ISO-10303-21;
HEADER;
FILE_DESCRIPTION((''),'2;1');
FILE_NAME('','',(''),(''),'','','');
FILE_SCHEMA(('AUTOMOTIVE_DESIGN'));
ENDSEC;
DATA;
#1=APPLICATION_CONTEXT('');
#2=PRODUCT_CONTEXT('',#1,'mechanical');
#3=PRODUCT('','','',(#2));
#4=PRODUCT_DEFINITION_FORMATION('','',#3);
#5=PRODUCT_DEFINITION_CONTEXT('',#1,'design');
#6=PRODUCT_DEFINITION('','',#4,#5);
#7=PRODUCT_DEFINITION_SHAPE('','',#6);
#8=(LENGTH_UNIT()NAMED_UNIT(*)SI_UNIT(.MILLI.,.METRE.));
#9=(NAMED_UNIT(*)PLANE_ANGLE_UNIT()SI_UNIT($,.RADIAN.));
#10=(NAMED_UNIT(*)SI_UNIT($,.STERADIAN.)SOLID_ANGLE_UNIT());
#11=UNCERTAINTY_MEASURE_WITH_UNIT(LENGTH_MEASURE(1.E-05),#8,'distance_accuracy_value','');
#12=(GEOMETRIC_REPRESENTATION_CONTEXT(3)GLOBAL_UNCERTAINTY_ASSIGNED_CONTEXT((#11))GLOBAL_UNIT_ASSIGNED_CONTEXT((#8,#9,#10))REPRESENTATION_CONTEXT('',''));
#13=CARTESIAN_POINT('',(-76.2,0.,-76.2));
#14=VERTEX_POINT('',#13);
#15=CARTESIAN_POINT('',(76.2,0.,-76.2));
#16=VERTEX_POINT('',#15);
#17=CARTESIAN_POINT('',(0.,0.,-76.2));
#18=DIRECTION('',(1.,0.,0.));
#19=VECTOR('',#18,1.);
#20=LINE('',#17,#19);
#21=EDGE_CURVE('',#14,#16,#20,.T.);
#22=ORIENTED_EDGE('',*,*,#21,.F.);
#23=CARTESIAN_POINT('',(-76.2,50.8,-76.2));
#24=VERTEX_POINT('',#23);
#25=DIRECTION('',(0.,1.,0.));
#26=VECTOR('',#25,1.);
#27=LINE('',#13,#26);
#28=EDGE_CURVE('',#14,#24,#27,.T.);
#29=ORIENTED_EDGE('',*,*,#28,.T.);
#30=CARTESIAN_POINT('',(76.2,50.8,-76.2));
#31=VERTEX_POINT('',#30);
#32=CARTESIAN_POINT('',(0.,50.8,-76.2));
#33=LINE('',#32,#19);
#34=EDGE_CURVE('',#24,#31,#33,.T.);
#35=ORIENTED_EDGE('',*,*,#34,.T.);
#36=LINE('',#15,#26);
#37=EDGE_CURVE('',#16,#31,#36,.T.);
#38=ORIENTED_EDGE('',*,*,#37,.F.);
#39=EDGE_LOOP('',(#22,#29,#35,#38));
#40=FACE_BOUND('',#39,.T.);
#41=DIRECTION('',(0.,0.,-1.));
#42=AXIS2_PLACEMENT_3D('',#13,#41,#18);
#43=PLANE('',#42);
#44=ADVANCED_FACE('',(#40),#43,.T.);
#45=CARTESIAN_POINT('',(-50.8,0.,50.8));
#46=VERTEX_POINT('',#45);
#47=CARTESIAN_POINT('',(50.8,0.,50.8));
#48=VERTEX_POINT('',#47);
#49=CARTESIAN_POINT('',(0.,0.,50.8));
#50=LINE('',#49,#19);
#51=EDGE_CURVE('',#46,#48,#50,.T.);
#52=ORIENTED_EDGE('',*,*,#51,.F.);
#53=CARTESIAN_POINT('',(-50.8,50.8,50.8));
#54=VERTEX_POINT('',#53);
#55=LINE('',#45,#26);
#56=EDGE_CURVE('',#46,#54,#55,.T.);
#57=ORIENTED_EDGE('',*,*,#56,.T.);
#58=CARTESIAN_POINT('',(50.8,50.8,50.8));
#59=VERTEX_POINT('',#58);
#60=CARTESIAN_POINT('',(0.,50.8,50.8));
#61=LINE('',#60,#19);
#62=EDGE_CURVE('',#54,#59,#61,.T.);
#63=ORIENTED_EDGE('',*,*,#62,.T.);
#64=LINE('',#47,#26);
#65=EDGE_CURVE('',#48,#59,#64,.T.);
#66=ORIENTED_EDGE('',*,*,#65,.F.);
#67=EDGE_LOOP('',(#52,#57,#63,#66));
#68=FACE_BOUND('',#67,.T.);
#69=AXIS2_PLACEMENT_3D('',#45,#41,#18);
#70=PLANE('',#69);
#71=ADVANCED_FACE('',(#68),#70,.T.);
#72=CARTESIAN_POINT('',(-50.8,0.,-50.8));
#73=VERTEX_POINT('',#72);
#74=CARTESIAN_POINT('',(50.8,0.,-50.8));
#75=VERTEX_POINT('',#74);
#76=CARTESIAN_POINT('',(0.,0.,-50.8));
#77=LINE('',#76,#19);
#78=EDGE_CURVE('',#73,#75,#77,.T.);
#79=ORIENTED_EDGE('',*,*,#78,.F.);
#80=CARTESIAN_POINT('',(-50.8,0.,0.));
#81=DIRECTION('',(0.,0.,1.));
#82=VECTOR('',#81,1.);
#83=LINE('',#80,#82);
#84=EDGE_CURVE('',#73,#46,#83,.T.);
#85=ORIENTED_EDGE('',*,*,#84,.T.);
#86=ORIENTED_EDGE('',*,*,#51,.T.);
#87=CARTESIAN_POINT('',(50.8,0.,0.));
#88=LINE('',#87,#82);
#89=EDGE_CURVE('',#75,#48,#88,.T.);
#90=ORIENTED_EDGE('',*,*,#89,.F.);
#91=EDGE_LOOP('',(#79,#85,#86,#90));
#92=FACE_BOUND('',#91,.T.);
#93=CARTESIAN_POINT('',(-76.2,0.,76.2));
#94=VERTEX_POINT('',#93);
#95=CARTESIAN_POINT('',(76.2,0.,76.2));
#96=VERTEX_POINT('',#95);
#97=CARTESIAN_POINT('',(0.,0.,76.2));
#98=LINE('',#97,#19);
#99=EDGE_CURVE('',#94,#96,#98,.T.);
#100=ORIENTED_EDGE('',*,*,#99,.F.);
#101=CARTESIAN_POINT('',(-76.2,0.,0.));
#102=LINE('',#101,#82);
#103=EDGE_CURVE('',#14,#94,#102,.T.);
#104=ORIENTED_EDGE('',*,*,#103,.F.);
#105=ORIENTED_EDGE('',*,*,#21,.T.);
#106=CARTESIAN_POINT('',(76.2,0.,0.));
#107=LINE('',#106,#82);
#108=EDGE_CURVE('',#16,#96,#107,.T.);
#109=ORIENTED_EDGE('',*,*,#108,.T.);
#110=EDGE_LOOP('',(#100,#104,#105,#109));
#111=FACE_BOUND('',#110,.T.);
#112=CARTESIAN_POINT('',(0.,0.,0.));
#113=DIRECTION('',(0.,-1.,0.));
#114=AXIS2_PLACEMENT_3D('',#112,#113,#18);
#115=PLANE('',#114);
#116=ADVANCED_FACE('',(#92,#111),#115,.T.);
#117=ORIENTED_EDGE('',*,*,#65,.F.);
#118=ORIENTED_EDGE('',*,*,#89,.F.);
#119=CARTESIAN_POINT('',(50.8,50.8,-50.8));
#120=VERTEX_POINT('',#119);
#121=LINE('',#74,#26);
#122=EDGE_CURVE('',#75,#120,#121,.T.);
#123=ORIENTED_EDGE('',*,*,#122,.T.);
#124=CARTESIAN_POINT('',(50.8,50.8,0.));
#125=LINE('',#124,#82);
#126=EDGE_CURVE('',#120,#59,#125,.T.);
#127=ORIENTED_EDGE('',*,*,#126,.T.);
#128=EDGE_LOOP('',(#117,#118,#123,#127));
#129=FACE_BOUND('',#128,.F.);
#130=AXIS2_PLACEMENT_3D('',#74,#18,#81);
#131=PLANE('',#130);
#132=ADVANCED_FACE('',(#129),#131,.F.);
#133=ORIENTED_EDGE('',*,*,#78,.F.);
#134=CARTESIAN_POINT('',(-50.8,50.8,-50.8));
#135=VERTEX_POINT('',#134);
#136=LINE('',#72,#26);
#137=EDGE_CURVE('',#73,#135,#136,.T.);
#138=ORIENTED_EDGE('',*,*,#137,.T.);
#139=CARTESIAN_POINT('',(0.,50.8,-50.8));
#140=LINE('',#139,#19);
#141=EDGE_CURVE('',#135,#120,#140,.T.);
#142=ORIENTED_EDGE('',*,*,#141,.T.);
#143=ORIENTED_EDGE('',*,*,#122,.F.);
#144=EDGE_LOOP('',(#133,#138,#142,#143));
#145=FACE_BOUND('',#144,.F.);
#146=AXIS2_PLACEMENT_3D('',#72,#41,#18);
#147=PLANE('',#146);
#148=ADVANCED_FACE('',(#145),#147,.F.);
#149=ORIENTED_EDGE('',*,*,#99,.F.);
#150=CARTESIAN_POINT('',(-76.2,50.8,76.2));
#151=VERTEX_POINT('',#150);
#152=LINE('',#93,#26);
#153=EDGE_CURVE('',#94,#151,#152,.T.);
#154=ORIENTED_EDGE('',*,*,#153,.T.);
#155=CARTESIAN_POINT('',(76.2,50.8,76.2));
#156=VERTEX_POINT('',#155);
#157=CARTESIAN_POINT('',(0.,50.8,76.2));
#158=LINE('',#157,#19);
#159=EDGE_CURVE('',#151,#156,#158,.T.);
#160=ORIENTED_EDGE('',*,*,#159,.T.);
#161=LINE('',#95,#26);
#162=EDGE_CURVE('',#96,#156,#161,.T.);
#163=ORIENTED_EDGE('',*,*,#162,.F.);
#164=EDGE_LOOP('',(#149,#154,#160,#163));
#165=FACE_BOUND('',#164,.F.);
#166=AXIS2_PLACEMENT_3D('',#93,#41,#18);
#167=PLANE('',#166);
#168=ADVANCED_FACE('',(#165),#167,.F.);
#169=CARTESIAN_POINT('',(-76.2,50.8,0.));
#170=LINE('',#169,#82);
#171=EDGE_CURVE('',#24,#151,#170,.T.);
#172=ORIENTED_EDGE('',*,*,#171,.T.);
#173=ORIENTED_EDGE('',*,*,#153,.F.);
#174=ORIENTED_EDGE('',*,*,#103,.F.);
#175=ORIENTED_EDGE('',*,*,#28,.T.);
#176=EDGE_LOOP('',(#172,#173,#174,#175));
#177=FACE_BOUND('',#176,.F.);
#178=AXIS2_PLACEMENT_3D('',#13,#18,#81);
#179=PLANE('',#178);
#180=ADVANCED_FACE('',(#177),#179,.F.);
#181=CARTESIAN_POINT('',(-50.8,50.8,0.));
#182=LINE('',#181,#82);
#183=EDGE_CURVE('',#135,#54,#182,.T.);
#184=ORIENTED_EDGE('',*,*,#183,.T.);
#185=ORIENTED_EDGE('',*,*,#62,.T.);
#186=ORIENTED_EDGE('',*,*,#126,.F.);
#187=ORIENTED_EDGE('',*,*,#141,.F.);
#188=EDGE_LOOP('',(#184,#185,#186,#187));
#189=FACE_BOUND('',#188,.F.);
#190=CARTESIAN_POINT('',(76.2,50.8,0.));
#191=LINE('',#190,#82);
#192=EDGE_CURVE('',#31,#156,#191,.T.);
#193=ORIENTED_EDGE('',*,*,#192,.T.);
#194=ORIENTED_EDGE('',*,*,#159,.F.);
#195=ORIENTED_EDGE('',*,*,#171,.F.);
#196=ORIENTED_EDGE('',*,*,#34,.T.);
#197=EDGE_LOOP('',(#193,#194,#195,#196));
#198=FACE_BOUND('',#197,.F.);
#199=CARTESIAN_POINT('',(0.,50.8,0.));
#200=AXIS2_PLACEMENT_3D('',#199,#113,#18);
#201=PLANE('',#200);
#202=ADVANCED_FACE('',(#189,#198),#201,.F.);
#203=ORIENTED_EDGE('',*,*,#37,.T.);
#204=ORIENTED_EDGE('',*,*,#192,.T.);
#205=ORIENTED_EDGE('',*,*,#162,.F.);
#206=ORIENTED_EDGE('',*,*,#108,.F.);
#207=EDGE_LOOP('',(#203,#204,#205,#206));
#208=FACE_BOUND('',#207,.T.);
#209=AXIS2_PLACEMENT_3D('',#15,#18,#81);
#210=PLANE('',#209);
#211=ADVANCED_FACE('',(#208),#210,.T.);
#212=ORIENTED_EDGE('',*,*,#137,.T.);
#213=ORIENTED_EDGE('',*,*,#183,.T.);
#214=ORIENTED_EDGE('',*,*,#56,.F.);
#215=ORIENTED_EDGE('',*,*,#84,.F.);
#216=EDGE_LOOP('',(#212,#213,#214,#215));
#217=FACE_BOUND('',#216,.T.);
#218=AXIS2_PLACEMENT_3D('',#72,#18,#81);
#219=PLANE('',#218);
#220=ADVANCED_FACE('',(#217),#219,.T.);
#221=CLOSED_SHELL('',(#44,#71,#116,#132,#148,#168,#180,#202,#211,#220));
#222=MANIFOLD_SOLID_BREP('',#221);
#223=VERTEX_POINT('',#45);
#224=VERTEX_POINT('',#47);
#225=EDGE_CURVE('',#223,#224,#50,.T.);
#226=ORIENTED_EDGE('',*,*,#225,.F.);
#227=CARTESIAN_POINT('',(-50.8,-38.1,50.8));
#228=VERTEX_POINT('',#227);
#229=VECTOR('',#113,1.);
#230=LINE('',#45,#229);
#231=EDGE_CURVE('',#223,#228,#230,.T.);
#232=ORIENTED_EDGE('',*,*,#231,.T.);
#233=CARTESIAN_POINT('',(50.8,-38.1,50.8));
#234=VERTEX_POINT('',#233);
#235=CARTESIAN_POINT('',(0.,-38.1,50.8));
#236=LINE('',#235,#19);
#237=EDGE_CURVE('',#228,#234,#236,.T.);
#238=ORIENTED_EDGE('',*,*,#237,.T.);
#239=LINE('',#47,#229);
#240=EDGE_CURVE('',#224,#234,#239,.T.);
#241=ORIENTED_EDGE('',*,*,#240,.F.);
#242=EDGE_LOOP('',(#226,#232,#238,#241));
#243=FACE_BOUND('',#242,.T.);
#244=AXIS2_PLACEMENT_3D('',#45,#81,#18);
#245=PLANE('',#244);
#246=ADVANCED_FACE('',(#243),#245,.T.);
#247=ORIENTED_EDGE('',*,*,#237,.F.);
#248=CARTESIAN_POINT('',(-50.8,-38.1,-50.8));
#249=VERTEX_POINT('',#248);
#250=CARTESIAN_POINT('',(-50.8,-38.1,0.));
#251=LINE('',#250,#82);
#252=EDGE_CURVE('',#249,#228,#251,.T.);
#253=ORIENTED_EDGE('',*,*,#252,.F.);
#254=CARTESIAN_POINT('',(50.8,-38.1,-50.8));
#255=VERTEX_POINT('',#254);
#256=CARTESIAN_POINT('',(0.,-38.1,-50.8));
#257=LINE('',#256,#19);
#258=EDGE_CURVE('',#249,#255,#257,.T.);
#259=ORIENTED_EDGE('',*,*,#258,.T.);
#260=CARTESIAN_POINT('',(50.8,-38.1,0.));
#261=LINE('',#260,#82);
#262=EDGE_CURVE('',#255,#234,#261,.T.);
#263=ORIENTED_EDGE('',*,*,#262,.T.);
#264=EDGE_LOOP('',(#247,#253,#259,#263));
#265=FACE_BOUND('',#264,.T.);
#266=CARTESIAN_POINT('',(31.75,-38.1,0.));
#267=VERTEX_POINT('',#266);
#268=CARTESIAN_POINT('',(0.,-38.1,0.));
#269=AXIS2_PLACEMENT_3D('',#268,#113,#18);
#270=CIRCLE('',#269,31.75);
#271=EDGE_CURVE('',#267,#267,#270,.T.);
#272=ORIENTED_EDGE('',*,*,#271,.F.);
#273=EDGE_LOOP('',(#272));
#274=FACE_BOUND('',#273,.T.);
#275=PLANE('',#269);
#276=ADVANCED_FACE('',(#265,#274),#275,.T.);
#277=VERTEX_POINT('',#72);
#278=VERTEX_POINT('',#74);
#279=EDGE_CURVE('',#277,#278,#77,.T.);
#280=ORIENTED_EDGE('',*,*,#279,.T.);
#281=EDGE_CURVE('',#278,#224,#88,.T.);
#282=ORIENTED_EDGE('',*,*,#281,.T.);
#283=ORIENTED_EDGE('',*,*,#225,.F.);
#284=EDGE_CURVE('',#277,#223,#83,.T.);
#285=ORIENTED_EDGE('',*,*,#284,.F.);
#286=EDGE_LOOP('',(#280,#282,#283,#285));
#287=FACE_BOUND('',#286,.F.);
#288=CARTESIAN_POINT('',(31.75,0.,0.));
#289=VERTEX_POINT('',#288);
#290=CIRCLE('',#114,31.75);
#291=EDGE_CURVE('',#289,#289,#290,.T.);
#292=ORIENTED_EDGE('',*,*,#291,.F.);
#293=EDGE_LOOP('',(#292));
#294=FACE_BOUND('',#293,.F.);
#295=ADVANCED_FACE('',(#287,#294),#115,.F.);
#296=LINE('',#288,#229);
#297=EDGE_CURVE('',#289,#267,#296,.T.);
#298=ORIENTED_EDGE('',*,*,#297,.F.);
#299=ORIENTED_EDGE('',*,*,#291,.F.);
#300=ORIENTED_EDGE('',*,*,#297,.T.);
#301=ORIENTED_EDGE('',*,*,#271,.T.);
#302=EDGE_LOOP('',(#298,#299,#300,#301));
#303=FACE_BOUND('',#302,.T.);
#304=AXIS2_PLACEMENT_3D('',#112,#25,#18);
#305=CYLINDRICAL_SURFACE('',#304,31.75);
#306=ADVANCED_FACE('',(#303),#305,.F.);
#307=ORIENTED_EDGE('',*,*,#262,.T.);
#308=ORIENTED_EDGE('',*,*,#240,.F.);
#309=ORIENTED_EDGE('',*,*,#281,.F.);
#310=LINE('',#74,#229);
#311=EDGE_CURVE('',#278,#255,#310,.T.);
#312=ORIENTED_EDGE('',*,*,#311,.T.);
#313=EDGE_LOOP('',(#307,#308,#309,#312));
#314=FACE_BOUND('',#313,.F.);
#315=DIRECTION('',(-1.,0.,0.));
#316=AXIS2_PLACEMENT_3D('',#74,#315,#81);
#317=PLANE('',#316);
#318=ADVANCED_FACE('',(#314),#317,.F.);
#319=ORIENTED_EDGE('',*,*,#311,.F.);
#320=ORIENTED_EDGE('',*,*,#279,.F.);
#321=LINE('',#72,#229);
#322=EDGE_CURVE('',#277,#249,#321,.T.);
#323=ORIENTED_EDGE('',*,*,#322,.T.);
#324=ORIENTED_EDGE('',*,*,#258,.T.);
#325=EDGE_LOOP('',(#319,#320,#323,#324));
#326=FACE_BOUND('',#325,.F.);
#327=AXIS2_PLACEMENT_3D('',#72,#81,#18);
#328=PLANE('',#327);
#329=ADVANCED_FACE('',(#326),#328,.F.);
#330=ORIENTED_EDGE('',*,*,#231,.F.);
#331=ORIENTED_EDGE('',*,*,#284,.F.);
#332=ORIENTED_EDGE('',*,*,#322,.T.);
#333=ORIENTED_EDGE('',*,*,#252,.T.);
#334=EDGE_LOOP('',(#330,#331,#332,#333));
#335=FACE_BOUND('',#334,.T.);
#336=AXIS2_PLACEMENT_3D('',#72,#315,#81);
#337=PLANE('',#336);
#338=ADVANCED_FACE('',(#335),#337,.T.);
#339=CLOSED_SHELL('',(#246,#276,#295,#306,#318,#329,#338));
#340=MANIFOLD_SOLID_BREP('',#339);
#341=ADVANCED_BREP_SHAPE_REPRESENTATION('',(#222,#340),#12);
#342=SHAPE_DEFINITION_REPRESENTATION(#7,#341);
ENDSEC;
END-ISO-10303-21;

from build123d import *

# Parameters (mm, degrees)
F0_W     = 101.6
F0_H     = 101.6
F0_R     = 31.75
F1_DEPTH = 38.1
F0_W_2   = 152.4
F0_H_2   = 152.4
F2_DEPTH = 50.8


with BuildPart() as f1:
    # F0 (on Front) → F1 (new body)
    with BuildSketch(Plane.XZ):
        Rectangle(F0_W, F0_H)
        Circle(F0_R, mode=Mode.SUBTRACT)
    extrude(amount=F1_DEPTH)


with BuildPart() as f2:
    # F0 (on Front) → F2 (new body)
    with BuildSketch(Plane.XZ):
        Rectangle(F0_W_2, F0_H_2)
        Rectangle(F0_W, F0_H, mode=Mode.SUBTRACT)
    extrude(amount=-F2_DEPTH)


solid = Compound([f1.part, f2.part])
